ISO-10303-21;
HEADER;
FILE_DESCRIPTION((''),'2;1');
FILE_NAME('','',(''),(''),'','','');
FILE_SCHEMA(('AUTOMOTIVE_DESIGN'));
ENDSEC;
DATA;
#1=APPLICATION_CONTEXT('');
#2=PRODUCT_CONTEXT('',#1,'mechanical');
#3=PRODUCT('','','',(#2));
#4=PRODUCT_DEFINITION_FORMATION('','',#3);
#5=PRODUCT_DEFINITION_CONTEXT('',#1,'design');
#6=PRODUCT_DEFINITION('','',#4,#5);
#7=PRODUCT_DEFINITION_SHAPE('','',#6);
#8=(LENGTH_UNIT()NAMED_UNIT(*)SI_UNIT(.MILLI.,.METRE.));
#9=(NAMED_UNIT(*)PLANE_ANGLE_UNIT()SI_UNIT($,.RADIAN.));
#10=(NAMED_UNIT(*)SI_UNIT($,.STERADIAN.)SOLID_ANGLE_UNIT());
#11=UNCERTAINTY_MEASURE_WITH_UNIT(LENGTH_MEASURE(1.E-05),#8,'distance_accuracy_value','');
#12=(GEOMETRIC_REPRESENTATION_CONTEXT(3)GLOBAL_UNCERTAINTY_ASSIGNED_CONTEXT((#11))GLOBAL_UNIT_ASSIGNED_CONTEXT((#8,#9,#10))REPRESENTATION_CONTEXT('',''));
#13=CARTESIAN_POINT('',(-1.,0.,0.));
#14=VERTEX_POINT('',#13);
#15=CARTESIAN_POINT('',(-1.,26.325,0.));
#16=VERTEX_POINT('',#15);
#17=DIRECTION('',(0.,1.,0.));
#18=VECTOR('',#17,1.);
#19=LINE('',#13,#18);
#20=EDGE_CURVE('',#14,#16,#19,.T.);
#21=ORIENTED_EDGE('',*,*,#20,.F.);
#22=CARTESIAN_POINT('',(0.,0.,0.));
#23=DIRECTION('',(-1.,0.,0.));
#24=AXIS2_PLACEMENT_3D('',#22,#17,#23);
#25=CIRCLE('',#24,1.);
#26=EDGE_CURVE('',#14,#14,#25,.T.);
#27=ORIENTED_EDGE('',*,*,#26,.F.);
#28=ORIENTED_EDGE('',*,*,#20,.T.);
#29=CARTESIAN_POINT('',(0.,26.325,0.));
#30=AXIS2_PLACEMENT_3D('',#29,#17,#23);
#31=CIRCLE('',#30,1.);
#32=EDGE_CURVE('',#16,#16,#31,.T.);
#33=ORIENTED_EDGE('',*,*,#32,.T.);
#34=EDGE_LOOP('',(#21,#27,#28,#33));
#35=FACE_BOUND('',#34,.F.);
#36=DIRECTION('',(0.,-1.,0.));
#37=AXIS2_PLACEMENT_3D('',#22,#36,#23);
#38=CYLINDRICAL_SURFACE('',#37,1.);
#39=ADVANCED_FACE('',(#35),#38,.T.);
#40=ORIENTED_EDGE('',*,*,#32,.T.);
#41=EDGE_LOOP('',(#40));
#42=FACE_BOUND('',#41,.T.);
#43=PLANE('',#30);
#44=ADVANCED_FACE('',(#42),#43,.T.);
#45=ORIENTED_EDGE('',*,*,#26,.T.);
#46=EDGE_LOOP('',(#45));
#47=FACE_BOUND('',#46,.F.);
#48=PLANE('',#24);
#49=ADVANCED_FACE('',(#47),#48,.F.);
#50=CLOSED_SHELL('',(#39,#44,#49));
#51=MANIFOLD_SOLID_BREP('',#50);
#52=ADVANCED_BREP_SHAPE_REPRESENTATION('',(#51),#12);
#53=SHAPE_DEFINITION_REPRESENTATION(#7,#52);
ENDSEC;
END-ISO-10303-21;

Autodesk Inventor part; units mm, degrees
ref_plane "YZ Plane" through (0, 0, 0) normal (1, 0, 0) x (0, 1, 0)
ref_plane "XZ Plane" through (0, 0, 0) normal (0, 1, 0) x (-1, 0, 0)
ref_plane "XY Plane" through (0, 0, 0) normal (0, 0, 1) x (1, 0, 0)
sketch "Sketch1" plane through (0, 0, 0) normal (0, 1, 0) x (-1, 0, 0)
  circle A0 centre (0, 0) radius 1
  dimension "d0" = 2
extrude "Extrusion1" add sketch "Sketch1" along normal blind 26.325
ref_plane "Work Plane1" through (0, -30, 0) normal (0, -1, 0) x (1, 0, 0)
properties part number "LOOP1_COLL_POSTDEF1"
